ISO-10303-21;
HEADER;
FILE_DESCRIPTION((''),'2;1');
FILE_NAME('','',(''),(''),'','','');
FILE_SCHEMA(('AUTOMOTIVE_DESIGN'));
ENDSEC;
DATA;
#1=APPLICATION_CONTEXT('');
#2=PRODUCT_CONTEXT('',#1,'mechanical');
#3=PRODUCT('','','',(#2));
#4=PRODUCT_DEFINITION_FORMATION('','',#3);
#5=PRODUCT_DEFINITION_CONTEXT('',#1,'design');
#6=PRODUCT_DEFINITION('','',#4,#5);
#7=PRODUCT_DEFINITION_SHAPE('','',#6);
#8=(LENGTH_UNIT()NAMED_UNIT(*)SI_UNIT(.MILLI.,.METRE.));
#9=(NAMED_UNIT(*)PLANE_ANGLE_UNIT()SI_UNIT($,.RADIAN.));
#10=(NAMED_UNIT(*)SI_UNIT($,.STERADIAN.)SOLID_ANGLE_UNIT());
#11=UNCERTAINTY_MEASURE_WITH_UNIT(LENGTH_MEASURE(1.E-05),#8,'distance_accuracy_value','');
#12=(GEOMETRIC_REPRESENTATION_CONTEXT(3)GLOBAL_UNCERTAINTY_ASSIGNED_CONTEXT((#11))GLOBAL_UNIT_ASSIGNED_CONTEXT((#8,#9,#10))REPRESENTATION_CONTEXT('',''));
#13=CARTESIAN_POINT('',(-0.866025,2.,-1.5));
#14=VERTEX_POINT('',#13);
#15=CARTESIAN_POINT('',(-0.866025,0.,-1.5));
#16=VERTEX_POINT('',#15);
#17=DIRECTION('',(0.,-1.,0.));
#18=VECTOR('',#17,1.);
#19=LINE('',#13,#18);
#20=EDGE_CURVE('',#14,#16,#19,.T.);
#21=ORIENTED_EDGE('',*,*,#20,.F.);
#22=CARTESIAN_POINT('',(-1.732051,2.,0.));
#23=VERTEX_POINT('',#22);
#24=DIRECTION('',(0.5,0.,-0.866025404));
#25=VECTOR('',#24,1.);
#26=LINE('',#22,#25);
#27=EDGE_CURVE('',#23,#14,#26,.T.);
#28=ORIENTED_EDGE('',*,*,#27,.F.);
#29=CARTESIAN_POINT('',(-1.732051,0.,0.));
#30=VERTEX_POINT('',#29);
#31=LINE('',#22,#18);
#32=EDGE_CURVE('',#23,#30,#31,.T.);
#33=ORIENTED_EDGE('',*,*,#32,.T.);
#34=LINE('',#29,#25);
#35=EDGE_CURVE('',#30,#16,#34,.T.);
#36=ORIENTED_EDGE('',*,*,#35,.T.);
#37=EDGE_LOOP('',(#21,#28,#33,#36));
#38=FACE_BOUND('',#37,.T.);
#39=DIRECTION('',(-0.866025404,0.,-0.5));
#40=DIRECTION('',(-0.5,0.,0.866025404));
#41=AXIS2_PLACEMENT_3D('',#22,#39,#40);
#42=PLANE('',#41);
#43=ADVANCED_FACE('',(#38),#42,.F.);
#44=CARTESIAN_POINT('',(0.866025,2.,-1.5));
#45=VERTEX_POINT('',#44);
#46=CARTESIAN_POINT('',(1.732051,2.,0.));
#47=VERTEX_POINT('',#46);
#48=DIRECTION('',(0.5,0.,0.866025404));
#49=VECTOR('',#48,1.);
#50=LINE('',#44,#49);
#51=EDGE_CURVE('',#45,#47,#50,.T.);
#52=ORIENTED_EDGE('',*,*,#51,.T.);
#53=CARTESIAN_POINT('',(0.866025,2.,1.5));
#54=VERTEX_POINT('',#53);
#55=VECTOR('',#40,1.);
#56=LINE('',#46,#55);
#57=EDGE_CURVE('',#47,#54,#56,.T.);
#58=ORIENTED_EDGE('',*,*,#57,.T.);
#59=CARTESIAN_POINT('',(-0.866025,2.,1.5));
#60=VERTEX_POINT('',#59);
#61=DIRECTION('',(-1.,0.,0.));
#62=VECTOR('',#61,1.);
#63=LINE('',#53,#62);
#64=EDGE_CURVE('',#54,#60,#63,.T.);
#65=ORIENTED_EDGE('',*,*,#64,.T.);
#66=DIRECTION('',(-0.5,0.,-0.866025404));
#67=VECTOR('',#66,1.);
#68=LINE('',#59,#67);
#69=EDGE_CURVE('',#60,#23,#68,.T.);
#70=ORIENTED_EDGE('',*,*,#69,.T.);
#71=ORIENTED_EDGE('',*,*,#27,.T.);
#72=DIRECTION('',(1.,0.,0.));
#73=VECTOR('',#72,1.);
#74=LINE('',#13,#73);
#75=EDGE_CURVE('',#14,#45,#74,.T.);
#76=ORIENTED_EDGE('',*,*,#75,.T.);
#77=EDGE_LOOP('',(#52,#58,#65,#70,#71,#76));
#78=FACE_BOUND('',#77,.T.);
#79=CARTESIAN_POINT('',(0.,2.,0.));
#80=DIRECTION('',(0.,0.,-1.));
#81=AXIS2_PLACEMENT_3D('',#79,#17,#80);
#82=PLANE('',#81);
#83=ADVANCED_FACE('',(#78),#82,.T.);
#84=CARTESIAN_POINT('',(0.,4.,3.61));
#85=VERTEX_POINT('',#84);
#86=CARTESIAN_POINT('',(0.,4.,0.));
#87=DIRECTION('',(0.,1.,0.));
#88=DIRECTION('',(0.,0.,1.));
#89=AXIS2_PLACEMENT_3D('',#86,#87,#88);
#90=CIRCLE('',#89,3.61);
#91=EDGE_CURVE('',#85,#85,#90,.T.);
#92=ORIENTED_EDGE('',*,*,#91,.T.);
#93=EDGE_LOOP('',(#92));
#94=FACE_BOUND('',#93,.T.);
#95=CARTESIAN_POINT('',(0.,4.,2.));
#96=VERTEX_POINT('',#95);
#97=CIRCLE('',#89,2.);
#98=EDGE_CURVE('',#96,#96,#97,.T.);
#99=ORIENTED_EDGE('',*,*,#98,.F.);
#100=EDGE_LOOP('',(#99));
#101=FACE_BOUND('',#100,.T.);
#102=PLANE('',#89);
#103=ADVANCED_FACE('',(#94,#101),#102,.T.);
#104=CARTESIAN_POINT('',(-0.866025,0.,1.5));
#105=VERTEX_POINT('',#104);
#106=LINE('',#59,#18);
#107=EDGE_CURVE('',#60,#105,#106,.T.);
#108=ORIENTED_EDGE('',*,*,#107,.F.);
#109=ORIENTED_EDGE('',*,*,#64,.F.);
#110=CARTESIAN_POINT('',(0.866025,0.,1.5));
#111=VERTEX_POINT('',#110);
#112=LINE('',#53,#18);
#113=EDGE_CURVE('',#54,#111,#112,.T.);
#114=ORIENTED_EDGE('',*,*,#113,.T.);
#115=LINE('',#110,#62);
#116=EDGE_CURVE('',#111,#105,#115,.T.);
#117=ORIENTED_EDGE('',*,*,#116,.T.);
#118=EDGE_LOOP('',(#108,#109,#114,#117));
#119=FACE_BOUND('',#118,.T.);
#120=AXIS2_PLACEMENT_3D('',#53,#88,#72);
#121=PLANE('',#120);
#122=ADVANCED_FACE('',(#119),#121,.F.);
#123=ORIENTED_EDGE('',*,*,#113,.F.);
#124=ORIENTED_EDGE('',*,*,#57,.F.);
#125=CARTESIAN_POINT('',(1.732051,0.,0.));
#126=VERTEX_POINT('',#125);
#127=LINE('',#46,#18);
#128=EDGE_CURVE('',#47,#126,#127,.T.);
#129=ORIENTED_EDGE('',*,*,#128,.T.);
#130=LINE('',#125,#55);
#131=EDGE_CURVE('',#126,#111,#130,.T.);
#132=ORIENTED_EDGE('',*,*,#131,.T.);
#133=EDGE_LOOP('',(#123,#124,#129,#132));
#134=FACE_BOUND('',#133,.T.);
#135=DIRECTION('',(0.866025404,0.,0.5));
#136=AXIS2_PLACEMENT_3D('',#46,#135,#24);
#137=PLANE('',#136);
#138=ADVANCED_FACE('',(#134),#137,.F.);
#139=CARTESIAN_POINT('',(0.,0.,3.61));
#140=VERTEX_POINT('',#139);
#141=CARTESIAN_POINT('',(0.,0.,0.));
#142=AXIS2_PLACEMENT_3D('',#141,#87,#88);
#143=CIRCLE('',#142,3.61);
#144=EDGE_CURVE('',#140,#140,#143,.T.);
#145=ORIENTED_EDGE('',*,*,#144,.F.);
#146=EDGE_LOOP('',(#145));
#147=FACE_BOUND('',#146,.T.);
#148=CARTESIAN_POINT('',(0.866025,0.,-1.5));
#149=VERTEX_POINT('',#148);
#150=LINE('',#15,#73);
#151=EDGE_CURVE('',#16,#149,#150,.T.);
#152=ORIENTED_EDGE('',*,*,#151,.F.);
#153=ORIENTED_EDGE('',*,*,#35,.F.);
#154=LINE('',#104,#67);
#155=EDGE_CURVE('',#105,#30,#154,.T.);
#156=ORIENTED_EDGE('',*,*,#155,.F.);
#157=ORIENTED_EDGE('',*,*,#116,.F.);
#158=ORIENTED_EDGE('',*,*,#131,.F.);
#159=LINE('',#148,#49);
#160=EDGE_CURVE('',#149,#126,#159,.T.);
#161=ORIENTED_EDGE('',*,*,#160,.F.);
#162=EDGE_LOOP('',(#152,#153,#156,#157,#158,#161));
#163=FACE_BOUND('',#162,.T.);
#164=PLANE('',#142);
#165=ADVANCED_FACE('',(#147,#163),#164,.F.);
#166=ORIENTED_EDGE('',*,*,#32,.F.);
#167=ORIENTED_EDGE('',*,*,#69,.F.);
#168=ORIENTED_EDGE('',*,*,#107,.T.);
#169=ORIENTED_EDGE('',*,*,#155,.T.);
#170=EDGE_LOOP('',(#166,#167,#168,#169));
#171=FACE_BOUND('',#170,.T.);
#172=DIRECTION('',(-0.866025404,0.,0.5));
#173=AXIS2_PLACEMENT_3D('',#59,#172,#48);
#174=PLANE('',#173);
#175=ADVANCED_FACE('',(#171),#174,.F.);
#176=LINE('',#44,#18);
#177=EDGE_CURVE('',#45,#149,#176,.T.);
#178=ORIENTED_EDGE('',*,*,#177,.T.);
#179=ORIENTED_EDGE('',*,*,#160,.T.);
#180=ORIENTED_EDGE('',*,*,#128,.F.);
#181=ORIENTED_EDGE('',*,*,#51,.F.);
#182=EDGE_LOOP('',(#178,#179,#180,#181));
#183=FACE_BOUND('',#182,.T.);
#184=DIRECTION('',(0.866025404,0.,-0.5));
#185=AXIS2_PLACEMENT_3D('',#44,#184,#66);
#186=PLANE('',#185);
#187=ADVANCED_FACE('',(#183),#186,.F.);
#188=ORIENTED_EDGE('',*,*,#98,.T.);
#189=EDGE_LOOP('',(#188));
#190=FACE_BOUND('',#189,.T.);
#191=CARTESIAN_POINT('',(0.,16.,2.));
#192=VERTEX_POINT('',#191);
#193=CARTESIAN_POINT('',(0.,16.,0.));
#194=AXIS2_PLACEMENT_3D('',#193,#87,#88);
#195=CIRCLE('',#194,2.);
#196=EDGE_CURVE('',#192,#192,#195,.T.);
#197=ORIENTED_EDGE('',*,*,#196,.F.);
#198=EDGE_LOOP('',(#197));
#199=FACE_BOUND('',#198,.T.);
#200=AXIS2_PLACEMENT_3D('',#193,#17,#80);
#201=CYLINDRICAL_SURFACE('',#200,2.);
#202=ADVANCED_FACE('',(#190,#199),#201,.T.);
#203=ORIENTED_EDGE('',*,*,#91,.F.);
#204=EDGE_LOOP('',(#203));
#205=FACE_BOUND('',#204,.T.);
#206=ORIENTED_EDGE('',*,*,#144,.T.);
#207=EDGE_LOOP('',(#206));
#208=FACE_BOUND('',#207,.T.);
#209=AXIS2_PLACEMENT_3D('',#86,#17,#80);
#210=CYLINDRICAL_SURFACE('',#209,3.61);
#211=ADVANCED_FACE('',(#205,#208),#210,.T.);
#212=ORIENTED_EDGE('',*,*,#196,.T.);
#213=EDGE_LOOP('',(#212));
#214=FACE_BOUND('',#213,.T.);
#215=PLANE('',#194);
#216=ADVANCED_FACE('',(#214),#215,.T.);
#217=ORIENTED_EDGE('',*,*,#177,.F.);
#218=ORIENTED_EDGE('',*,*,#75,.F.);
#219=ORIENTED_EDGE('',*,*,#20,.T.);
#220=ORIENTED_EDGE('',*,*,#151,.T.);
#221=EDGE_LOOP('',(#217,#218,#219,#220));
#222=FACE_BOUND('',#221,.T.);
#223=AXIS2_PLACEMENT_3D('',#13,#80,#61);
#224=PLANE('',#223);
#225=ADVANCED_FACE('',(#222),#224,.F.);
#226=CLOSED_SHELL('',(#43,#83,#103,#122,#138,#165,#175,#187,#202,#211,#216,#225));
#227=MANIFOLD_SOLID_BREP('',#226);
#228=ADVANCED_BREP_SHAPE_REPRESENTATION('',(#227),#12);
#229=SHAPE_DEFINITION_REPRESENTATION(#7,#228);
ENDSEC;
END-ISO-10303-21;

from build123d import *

# Parameters (mm, degrees)
SKETCH_1_R          = 3.61
EXTRUDE_1_DEPTH     = 4
CUT_EXTRUDE_1_DEPTH = 2
SKETCH_3_R          = 2
EXTRUDE_2_DEPTH     = 12


with BuildPart() as part:
    # 草图1 → 凸台-拉伸1 (new body)
    with BuildSketch(Plane(origin=(0, 0, 0), x_dir=(1, 0, 0), z_dir=(0, 1, 0))):
        Circle(SKETCH_1_R)
    extrude(amount=EXTRUDE_1_DEPTH)

    # 草图2 → 切除-拉伸1 (cut)
    with BuildSketch(Plane.XZ):
        Polygon((1.732050808, 0), (0.866025404, 1.5), (-0.866025404, 1.5), (-1.732050808, 0), (-0.866025404, -1.5), (0.866025404, -1.5), align=None)
    extrude(amount=-CUT_EXTRUDE_1_DEPTH, mode=Mode.SUBTRACT)

    # 草图3 → 凸台-拉伸2 (add)
    with BuildSketch(Plane(origin=(0, 4, 0), x_dir=(1, 0, 0), z_dir=(0, 1, 0))):
        Circle(SKETCH_3_R)
    extrude(amount=EXTRUDE_2_DEPTH)


solid = part.part
